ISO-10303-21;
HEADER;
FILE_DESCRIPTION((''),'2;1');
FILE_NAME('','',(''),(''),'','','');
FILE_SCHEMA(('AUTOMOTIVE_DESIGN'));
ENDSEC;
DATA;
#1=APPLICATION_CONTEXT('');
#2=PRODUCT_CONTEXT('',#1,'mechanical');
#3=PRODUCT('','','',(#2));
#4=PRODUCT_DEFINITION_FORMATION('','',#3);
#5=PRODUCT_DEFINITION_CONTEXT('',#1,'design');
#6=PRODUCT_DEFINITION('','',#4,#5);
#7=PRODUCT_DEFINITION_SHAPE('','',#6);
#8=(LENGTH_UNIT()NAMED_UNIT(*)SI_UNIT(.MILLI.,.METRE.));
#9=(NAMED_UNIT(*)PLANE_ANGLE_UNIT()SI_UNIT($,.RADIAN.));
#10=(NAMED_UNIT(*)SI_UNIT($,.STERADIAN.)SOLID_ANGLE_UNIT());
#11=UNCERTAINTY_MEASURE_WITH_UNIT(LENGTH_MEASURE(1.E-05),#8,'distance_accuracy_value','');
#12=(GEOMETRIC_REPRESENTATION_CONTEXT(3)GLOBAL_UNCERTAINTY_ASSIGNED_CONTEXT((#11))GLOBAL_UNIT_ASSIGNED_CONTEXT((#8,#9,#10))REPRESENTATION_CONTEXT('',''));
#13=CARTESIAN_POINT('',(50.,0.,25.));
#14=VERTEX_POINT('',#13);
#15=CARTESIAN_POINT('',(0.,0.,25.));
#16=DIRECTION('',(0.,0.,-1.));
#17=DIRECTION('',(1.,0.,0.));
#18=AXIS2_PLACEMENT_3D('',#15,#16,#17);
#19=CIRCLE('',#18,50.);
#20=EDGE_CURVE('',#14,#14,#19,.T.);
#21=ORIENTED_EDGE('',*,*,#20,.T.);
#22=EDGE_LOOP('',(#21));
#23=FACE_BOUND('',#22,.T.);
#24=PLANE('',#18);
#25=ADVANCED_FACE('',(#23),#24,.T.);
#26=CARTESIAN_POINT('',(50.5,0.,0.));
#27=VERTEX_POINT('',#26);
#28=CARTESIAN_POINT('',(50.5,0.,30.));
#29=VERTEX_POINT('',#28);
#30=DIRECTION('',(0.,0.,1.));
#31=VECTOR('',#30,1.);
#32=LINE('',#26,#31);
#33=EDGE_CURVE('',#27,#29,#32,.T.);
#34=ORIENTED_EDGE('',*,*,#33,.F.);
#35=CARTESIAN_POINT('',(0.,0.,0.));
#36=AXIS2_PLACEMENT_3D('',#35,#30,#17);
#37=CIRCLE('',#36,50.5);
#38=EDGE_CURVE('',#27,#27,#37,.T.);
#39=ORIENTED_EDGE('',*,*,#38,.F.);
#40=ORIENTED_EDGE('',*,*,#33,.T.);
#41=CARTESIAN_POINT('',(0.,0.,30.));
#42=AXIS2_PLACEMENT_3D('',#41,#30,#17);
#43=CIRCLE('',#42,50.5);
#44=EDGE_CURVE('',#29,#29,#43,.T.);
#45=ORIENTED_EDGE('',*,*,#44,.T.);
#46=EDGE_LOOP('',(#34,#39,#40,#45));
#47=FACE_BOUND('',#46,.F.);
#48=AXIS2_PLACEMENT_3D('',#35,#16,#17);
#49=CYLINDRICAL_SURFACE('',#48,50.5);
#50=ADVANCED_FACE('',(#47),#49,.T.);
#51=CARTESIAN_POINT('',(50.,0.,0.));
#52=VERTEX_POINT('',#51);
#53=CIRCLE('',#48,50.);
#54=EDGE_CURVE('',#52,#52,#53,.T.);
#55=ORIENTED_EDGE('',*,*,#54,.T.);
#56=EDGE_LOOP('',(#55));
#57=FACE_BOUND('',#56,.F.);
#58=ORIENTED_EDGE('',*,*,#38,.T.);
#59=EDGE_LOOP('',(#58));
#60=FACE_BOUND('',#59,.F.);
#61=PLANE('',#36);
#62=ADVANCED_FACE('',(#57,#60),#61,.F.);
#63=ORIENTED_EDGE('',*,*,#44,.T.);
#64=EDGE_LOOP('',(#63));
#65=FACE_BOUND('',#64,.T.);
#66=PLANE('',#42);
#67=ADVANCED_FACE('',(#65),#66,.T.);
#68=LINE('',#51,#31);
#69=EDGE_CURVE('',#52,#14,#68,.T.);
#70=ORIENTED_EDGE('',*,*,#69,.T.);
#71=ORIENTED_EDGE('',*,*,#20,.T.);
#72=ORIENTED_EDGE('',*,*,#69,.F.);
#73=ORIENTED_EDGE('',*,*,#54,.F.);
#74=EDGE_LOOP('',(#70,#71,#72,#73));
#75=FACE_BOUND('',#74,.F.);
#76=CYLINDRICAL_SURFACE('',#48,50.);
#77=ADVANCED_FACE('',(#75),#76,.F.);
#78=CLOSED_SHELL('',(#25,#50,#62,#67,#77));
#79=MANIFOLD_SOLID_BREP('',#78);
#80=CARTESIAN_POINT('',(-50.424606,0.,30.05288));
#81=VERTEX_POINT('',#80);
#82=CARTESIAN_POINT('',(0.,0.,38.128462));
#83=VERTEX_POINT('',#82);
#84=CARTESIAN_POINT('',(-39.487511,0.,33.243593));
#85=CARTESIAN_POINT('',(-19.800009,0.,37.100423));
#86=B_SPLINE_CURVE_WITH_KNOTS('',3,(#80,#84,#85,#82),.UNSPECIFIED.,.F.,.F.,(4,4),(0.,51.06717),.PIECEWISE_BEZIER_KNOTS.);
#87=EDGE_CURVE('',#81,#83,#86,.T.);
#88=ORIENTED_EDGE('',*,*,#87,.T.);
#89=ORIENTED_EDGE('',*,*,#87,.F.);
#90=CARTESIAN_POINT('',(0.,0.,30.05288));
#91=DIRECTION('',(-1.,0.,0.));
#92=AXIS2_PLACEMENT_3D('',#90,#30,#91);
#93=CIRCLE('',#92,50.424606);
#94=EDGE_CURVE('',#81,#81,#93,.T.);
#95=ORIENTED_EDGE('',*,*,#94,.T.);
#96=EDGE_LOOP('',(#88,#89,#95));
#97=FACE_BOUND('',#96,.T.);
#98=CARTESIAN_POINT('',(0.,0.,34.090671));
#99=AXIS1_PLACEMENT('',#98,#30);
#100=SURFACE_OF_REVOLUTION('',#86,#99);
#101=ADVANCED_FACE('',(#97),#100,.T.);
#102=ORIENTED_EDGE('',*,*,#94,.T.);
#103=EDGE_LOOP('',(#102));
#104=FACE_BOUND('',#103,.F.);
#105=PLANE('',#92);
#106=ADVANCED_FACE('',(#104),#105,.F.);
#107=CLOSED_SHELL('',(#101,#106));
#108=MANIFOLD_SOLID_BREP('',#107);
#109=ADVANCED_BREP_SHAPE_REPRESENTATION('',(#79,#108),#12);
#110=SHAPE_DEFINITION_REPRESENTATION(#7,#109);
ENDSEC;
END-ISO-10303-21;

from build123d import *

# Parameters (mm, degrees)
F0_R     = 50.5
F1_DEPTH = 30
F2_R     = 50
F3_DEPTH = 25


with BuildPart() as f1:
    # F0 (on Top) → F1 (new body)
    with BuildSketch(Plane.XY):
        Circle(F0_R)
    extrude(amount=F1_DEPTH)

    # F2 (on face) → F3 (cut)
    with BuildSketch(Plane(origin=(0, 0, 0), x_dir=(1, 0, 0), z_dir=(0, 0, -1))):
        Circle(F2_R)
    extrude(amount=-F3_DEPTH, mode=Mode.SUBTRACT)


with BuildPart() as f5:
    # F4 (on Front) → F5 (revolve)
    with BuildSketch(Plane.XZ):
        with BuildLine():
            add(Edge.make_bspline(
                [(-50.424606, 30.05288), (-39.487511, 33.243593), (-19.800009, 37.100423), (0, 38.128462)],
                knots=[0, 0, 0, 0, 51.06717, 51.06717, 51.06717, 51.06717], degree=3))
            Line((-50.424606, 30.05288), (0, 30.05288))
            Line((0, 30.05288), (0, 38.128462))
        make_face()
    revolve(axis=Axis((0, 0, 34.090671), (0, 0, 1)))


solid = Compound([f1.part, f5.part])
